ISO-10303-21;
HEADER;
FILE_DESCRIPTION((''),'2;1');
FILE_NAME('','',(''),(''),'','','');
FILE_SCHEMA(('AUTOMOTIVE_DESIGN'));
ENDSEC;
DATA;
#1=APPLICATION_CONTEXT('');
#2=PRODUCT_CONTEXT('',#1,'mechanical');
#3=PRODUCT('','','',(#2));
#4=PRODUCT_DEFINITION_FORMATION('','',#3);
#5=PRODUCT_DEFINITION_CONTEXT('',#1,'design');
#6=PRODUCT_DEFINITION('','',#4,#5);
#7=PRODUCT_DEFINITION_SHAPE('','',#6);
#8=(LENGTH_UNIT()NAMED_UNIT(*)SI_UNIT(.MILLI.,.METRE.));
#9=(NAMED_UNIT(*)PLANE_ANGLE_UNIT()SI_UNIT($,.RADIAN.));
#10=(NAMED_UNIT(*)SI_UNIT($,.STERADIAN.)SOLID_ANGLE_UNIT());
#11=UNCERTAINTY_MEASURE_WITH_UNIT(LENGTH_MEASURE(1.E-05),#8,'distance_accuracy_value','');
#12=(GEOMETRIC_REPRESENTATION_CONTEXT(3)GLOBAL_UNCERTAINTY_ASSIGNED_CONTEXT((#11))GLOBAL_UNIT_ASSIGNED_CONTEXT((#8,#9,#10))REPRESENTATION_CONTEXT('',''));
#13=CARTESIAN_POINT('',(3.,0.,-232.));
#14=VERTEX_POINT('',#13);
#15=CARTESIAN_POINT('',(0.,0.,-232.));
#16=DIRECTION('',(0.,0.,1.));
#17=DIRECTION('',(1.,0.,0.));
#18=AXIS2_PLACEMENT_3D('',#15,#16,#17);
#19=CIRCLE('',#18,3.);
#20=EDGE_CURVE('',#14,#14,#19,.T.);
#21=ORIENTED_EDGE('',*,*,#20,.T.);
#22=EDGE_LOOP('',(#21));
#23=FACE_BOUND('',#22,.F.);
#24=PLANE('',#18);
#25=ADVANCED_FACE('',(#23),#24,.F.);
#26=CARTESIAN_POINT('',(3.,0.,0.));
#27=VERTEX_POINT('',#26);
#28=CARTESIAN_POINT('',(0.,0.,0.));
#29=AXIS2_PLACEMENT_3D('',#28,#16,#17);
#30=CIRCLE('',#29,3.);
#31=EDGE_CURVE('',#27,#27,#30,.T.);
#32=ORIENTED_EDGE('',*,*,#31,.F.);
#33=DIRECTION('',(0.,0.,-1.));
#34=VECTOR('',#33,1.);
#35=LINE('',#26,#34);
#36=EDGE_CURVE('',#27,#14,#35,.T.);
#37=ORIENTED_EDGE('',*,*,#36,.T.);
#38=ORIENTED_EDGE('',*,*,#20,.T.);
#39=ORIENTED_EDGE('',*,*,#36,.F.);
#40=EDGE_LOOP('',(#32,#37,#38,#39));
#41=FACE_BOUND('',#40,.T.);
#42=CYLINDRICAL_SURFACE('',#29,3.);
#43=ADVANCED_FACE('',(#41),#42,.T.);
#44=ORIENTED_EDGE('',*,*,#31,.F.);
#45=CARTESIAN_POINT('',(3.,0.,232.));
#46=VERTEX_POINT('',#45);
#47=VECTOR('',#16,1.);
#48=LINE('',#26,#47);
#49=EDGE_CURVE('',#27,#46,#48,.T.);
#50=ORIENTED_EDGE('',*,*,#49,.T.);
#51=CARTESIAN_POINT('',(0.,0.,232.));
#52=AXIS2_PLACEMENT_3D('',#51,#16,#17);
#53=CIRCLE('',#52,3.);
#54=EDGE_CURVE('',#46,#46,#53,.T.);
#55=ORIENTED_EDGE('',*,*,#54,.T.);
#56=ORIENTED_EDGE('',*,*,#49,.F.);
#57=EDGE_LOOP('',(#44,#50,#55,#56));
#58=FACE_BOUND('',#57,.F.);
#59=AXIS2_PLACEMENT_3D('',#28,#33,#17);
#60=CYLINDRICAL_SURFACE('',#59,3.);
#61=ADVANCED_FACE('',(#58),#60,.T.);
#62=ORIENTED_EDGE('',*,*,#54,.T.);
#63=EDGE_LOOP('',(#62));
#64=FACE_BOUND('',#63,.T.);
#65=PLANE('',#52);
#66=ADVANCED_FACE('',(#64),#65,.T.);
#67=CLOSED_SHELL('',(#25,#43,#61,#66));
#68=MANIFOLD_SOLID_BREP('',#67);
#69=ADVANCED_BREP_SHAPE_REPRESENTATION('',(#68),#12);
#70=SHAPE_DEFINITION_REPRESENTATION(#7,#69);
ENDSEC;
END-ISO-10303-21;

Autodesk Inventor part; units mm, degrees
ref_plane "YZ Plane" through (0, 0, 0) normal (1, 0, 0) x (0, 1, 0)
ref_plane "XZ Plane" through (0, 0, 0) normal (0, 1, 0) x (-1, 0, 0)
ref_plane "XY Plane" through (0, 0, 0) normal (0, 0, 1) x (1, 0, 0)
sketch "Sketch1" plane through (0, 0, 0) normal (0, 0, 1) x (1, 0, 0)
  circle A0 centre (0, 0) radius 3
  dimension "d0" = 6
extrude "Extrusion1" add sketch "Sketch1" along normal mid plane 464
properties part number "veio_001_001" material "Aluminum 6061"
